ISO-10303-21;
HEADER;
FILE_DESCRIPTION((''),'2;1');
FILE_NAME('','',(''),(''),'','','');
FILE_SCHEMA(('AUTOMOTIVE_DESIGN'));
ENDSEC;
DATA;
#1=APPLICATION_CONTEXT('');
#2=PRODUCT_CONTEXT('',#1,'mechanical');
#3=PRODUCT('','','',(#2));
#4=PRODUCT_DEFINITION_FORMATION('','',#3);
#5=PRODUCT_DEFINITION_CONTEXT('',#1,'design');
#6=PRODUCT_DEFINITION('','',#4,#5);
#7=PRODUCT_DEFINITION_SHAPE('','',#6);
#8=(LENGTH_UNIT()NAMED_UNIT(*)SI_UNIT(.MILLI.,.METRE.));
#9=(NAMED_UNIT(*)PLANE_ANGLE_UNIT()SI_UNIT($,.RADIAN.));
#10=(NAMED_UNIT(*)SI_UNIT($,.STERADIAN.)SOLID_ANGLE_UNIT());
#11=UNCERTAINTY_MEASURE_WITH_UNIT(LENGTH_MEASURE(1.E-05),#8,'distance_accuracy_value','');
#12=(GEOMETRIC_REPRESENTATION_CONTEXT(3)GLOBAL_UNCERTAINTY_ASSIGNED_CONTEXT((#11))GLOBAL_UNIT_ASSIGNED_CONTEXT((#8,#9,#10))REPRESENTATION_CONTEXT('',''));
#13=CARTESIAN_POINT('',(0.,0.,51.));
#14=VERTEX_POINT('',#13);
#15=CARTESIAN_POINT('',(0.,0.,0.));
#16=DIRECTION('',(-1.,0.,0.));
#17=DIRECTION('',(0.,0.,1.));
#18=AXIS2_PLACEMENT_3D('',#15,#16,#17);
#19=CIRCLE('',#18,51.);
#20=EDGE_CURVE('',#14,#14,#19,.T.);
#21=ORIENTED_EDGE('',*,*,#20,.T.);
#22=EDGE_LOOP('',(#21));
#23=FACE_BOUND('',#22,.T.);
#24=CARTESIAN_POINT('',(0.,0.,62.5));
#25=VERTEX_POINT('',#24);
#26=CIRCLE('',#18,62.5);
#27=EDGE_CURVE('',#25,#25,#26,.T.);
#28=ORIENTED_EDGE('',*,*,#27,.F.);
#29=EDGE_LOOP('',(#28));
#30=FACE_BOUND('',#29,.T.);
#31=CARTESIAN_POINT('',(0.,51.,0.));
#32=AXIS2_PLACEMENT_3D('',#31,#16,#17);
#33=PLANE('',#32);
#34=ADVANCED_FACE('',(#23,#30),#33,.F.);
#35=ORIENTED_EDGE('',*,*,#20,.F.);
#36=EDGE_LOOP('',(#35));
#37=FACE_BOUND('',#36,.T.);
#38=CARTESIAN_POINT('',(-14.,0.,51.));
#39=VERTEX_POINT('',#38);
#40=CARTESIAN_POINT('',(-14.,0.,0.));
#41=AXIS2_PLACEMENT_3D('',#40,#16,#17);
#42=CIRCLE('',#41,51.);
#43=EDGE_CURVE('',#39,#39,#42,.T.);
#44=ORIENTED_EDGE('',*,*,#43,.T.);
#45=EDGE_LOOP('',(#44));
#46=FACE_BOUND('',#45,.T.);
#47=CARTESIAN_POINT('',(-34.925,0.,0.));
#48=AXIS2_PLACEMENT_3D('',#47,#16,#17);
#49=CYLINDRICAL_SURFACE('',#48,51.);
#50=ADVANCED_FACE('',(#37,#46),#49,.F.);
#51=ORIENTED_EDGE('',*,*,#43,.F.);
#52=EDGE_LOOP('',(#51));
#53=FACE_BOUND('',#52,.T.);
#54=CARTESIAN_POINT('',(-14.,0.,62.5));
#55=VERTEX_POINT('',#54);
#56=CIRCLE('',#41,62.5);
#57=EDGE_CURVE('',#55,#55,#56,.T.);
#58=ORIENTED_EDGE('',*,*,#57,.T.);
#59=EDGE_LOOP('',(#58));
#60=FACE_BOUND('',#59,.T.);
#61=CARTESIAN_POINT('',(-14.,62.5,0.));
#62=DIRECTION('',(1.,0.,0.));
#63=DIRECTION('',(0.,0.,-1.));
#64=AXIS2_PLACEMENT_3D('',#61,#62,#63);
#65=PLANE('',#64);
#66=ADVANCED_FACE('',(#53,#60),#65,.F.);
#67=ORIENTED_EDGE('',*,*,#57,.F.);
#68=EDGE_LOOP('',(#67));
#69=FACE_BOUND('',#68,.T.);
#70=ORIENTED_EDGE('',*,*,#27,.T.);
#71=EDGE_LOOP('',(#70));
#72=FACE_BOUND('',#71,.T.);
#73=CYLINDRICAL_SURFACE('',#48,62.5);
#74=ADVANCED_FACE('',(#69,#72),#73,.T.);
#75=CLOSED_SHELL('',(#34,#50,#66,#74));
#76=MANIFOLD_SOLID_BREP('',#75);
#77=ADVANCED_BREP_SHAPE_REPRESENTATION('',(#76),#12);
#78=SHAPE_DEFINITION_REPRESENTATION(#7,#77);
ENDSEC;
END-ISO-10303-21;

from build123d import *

# Parameters (mm, degrees)
SKETCH1_W = 14
SKETCH1_H = 11.5


with BuildPart() as part:
    # Sketch1 → Base-Revolve (revolve)
    with BuildSketch(Plane.XY, mode=Mode.PRIVATE) as base_revolve_sk:
        with Locations((-7, 56.75)):
            Rectangle(SKETCH1_W, SKETCH1_H)
    revolve(base_revolve_sk.sketch.rotate(Axis((-34.925, 0, 0), (1, 0, 0)), 90), axis=Axis((-34.925, 0, 0), (1, 0, 0)))


solid = part.part
